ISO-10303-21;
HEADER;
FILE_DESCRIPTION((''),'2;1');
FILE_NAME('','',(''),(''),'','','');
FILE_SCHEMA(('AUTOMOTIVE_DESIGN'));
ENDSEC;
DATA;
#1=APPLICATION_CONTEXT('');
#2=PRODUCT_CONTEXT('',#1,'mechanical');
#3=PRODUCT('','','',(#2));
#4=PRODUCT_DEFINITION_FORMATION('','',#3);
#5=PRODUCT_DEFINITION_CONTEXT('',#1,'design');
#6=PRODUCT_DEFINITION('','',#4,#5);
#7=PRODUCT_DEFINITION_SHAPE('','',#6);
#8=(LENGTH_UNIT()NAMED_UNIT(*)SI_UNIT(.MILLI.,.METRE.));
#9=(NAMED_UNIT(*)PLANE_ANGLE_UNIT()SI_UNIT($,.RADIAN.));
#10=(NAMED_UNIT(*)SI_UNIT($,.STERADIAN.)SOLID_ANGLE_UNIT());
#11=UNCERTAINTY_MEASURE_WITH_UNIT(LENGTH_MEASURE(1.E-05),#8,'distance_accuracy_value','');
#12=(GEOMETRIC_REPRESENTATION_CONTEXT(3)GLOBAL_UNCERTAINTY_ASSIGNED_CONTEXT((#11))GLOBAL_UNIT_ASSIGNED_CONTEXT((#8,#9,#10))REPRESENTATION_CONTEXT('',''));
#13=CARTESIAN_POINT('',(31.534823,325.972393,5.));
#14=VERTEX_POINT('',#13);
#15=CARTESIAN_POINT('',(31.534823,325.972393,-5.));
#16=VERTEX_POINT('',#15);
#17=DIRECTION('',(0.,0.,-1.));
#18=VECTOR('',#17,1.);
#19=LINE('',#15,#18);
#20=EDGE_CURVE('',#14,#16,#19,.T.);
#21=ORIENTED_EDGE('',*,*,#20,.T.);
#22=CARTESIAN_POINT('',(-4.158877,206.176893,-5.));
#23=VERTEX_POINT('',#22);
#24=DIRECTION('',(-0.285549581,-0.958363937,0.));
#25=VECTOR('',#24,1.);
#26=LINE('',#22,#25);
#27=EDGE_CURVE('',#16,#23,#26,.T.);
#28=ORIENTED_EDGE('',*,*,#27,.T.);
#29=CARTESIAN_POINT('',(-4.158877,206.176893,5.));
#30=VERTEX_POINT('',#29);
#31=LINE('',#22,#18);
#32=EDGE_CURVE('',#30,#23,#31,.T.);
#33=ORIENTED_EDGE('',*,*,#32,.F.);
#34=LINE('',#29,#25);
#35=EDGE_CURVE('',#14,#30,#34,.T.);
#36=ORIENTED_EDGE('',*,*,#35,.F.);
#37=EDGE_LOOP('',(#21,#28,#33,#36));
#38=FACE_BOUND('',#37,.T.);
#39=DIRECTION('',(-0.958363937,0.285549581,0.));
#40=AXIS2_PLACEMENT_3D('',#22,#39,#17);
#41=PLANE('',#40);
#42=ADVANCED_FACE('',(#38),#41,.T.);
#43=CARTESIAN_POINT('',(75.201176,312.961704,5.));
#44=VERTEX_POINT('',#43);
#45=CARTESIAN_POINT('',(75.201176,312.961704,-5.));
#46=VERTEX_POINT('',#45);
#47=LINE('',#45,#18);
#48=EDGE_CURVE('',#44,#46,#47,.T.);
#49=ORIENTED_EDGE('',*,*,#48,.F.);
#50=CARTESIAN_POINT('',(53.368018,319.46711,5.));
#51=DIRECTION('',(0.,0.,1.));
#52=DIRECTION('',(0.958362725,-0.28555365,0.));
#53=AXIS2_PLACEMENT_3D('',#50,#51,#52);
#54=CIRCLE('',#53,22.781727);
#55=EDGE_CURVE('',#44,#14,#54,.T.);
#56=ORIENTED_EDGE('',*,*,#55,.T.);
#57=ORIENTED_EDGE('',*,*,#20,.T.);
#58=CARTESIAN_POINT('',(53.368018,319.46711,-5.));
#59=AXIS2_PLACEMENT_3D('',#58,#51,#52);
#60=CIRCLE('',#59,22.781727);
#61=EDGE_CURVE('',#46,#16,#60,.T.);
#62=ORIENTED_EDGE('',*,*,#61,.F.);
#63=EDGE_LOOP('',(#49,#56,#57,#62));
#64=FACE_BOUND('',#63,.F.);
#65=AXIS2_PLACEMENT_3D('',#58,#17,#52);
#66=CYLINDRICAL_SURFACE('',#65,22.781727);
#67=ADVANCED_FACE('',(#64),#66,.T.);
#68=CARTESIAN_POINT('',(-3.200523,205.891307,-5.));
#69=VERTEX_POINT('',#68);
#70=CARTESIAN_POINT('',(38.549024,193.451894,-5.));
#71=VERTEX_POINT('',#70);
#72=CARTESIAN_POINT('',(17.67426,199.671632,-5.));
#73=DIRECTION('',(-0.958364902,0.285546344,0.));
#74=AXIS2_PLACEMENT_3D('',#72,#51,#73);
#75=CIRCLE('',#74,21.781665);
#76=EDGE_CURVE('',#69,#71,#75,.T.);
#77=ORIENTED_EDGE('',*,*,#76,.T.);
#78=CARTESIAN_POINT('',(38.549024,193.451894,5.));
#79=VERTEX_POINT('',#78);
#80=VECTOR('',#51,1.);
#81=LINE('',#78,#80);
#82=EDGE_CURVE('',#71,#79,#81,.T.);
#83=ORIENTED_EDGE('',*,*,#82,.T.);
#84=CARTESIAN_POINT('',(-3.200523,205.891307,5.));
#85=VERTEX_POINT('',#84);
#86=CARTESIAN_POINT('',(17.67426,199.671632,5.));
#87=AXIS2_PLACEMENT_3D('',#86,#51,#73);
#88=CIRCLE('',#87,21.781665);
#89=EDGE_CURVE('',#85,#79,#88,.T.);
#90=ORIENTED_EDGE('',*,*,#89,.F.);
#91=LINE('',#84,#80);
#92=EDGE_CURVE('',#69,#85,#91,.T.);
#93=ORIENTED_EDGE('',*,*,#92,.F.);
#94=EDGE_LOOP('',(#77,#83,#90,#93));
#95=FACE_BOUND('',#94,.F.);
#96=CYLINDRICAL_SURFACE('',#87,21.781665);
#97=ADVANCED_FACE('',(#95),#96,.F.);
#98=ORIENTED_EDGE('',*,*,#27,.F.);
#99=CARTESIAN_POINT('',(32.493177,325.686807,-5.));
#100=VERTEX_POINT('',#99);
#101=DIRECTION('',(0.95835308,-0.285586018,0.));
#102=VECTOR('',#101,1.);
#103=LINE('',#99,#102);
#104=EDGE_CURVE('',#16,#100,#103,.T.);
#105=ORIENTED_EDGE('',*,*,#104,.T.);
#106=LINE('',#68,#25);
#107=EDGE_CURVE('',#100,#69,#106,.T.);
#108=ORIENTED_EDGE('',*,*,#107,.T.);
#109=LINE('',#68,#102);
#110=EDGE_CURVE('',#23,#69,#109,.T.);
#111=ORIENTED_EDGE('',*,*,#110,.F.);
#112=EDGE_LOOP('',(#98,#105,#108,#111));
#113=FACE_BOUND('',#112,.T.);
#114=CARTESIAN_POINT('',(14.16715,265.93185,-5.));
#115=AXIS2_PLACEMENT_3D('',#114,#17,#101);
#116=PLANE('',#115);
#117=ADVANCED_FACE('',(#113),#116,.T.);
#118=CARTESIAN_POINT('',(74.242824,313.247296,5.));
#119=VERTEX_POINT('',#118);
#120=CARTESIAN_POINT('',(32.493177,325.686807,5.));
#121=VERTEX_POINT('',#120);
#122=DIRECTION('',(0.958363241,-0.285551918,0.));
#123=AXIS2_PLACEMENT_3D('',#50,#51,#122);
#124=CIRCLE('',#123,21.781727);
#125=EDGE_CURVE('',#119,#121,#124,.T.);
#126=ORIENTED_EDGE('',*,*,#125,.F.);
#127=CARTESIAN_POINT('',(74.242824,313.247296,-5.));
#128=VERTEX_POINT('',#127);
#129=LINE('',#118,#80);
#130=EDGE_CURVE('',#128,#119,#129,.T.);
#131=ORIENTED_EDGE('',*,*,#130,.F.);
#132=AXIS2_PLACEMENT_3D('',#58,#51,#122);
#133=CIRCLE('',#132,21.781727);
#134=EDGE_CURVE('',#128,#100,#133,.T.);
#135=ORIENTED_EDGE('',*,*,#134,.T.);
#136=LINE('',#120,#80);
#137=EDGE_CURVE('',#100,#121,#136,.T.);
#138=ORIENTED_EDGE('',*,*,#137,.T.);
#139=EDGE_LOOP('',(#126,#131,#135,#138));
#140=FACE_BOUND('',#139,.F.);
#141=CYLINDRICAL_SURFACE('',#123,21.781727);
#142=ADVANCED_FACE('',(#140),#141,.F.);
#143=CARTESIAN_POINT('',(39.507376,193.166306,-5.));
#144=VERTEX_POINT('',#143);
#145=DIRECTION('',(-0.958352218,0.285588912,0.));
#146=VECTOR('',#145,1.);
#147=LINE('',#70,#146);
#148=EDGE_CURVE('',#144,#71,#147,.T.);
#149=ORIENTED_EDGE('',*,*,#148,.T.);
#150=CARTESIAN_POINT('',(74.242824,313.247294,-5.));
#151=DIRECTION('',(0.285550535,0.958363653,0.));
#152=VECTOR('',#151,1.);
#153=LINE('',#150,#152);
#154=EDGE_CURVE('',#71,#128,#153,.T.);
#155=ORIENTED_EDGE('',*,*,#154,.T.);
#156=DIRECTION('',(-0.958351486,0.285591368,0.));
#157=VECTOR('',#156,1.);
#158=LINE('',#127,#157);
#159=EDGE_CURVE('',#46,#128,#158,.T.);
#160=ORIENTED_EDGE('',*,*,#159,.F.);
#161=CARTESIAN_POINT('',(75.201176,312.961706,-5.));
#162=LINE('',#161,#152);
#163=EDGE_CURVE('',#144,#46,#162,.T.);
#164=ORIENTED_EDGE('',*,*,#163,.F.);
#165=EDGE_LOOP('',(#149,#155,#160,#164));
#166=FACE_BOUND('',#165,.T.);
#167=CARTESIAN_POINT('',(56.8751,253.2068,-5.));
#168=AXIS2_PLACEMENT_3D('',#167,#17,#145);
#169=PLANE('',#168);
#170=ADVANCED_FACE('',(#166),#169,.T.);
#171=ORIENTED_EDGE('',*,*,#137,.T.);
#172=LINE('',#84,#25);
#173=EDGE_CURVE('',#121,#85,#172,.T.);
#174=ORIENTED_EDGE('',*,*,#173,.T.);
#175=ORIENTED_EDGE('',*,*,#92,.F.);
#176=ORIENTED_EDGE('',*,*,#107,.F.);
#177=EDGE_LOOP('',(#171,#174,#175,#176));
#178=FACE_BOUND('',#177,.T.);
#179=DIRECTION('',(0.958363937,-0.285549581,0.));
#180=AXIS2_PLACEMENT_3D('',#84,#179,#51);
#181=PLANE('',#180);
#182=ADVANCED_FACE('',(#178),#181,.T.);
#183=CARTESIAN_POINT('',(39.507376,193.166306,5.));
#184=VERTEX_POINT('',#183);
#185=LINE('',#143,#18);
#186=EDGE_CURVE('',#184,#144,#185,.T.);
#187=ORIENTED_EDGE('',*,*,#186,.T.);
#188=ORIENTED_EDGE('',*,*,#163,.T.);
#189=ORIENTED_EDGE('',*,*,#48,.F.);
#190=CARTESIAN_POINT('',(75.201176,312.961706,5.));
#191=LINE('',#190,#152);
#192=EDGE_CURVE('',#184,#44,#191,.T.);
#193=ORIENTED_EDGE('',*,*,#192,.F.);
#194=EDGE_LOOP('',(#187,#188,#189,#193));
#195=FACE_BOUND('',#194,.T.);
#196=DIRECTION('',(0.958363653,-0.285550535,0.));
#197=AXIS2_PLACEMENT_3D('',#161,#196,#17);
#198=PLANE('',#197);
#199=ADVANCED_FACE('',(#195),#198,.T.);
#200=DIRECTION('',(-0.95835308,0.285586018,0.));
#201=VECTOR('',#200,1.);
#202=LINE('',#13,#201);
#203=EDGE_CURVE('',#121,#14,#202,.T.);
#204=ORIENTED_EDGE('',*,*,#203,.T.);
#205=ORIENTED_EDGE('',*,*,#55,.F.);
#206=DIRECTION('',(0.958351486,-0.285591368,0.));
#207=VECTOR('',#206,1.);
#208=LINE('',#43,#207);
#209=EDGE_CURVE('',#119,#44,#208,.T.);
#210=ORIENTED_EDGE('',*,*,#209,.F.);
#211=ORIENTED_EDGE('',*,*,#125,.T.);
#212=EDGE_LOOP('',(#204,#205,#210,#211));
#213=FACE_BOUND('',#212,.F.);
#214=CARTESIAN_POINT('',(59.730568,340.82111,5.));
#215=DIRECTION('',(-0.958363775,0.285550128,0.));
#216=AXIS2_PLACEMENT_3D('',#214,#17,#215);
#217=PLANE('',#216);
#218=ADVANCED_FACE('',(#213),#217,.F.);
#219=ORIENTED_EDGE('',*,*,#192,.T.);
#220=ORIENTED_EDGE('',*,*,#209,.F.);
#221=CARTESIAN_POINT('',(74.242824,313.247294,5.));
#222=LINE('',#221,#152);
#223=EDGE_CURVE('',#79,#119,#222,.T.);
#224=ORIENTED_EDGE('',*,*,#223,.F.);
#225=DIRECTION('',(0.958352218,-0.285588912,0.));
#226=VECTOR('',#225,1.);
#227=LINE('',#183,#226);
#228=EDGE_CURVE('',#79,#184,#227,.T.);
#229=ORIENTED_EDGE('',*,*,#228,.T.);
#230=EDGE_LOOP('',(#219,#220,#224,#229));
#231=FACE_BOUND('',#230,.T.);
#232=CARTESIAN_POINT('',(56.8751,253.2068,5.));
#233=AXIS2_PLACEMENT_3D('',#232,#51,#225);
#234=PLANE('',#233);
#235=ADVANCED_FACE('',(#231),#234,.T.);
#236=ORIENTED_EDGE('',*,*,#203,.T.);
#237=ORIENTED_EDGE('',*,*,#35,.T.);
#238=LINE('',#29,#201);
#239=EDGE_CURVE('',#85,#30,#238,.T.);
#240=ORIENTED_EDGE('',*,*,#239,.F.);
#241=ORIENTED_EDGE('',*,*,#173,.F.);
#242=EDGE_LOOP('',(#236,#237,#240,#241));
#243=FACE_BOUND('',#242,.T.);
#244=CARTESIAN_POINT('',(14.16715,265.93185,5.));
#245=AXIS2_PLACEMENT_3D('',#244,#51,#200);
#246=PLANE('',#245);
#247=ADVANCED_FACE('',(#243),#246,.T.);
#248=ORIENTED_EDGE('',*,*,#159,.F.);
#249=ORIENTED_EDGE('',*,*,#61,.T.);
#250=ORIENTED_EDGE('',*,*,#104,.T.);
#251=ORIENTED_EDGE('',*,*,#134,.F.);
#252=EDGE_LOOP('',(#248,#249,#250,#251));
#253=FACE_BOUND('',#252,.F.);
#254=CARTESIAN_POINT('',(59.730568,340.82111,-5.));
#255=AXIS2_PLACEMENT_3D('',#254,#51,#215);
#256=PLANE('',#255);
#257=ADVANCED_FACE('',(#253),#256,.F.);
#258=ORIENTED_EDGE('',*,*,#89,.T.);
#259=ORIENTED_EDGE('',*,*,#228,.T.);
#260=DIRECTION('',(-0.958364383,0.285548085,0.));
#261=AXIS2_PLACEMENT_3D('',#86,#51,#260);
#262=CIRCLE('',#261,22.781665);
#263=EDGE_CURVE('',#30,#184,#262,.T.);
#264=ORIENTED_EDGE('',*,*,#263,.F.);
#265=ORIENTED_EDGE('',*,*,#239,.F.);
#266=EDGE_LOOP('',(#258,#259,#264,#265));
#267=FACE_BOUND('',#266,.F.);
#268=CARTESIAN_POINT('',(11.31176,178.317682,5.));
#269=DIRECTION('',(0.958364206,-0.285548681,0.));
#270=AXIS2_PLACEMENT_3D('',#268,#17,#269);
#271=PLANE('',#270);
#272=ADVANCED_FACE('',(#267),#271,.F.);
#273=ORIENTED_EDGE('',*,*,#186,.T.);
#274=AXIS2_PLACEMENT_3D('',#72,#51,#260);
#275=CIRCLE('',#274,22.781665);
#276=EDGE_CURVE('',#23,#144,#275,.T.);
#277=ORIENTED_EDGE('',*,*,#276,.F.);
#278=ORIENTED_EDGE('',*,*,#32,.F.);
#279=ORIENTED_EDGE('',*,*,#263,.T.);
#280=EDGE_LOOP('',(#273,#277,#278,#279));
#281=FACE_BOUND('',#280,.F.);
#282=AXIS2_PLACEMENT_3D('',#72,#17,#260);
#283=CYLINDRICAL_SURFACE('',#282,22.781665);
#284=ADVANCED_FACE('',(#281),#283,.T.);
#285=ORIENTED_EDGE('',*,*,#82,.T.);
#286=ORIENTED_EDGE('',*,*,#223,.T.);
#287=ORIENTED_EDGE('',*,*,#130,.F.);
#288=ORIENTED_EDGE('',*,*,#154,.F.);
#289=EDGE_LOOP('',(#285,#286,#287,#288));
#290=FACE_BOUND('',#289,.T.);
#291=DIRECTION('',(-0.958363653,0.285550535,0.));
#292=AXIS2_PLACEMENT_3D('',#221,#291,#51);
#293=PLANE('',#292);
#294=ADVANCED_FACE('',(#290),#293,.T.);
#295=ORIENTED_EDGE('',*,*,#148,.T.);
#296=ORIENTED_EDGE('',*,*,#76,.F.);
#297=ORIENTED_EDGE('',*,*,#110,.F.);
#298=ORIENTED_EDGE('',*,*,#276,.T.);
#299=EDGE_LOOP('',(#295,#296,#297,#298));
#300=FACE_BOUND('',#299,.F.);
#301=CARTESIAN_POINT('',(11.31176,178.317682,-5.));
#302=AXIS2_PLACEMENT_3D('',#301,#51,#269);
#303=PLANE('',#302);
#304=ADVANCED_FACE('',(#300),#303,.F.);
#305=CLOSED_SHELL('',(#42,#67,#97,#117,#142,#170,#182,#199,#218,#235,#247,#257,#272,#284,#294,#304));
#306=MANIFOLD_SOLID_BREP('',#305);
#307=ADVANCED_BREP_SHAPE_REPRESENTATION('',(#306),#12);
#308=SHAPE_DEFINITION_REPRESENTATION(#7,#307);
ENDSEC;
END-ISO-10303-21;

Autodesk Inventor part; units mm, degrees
sketch "Sketch Path" plane through (0, 0, 0) normal (0, 0, 1) x (1, 0, 0)
  arc A0 (74.722, 313.1045) -> (32.014, 325.8296) centre (53.368, 319.4671) ccw
  arc A1 (-3.6797, 206.0341) -> (39.0282, 193.3091) centre (17.6742, 199.6716) ccw
  line L0 (-3.6797, 206.0341) -> (32.014, 325.8296)
  line L1 (74.722, 313.1045) -> (39.0282, 193.3091)
ref_plane "Cross Section Plane" through (32.014, 325.8296, 0) normal (-0.2856, -0.9584, 0) x (0, 0, 1)
ref_plane "Work Plane2" through (53.368, 319.4671, 0) normal (-1, 0, 0) x (0, 0, 1)
ref_plane "Work Plane3" through (17.6742, 199.6716, 0) normal (0.4339, 0.901, 0) x (0, 0, 1)
sketch "Cross Section" plane through (32.014, 325.8296, 0) normal (-0.2856, -0.9584, 0) x (0, 0, 1)
  line L0 (-5, 0.5) -> (5, 0.5)
  line L1 (5, 0.5) -> (5, -0.5)
  line L2 (5, -0.5) -> (-5, -0.5)
  line L3 (-5, -0.5) -> (-5, 0.5)
  line L4 (-5, 0) -> (5, 0) construction
  point P0 (0, 0)
  point P1 (0, 0)
  dimension "d0" = 10
  dimension "d4" = 0.5
  dimension "d5" = 0.5
sweep "Belt" add profiles "Cross Section" path "Sketch Path"
equation "\"d0\" = da_B"
equation "\"d4\" = da_a"
equation "\"d5\" = da_a2"
equation "\"da_B\" = 10"
equation "\"da_pb\" = 5"
equation "\"da_a\" = 0.5"
equation "\"da_S\" = 2.65"
equation "\"da_Beta\" = 20deg"
equation "\"da_Ht\" = 1.2"
equation "\"da_H\" = 2.2"
equation "\"da_a2\" = 0.5"
properties part number "Synchronous Belt" material "Rubber"
